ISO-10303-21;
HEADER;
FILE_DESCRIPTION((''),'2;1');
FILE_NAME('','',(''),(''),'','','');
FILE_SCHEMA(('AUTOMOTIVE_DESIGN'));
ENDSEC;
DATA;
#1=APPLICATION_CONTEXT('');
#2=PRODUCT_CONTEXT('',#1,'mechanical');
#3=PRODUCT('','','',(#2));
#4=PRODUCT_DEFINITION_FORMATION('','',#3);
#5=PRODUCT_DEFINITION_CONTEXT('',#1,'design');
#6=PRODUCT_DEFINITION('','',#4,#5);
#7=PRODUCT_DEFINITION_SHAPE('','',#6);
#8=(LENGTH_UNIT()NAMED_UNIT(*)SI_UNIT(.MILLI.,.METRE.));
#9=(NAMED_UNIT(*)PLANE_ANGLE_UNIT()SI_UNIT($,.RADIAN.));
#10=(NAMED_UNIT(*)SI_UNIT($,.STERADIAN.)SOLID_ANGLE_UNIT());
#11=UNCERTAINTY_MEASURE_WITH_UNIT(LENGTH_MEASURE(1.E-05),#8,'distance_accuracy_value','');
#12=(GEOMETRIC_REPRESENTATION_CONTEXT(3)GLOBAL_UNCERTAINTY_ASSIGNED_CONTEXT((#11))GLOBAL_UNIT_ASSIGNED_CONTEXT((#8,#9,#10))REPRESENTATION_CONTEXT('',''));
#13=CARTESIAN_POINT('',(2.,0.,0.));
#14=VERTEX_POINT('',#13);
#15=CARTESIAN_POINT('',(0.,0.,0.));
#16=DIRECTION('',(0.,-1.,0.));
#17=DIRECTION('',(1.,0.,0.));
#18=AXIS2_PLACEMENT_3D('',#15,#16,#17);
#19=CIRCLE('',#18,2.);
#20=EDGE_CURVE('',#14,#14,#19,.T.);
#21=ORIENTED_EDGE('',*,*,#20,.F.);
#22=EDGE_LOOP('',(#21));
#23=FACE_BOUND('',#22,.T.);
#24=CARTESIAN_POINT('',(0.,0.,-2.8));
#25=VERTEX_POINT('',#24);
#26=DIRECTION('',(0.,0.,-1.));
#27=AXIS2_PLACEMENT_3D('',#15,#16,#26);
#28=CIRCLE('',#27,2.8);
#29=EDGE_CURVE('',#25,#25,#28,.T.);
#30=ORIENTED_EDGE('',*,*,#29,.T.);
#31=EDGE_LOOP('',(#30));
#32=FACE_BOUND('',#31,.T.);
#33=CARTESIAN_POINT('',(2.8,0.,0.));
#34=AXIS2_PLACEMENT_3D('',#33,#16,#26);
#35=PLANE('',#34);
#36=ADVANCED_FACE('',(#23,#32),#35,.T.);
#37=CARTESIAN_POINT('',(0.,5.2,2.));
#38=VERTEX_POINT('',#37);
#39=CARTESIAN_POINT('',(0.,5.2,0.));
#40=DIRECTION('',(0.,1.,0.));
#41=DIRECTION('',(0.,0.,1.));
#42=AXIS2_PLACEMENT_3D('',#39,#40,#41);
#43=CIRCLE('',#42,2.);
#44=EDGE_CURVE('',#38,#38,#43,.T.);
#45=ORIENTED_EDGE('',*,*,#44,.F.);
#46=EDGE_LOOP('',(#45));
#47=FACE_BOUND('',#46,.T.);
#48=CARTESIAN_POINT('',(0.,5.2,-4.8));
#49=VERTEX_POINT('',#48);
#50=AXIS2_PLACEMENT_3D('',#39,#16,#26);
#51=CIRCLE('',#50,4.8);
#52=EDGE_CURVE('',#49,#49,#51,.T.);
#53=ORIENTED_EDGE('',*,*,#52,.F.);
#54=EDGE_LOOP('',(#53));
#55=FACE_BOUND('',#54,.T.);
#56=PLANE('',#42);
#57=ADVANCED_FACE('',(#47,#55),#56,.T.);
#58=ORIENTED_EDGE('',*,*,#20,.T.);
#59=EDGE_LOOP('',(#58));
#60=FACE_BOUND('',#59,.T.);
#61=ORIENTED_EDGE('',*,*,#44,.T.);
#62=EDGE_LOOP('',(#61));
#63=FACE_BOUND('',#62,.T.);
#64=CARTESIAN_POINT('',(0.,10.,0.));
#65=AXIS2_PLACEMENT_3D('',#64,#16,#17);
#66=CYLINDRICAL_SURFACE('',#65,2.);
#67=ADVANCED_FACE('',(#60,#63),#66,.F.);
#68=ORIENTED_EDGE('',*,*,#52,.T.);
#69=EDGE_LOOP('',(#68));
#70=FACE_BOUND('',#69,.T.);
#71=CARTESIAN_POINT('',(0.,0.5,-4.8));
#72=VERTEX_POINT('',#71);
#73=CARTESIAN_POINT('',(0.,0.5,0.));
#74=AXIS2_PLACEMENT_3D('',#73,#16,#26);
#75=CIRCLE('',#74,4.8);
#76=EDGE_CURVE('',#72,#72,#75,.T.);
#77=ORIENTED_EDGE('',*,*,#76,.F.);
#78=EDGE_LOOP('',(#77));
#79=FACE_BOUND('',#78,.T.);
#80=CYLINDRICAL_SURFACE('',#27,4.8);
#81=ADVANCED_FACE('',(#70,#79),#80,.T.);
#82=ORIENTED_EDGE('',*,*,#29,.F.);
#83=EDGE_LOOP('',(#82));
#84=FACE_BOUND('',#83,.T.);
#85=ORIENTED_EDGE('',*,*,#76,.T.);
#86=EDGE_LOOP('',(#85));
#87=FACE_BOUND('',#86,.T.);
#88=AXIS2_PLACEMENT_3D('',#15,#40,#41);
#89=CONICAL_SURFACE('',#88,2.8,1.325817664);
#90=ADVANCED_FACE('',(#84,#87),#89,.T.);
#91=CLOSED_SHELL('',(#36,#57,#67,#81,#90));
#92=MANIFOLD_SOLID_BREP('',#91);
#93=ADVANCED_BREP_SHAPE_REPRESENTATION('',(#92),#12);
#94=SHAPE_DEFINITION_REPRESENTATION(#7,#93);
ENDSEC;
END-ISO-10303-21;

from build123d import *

# Parameters (mm, degrees)
SKETCH_2_R          = 2
CUT_EXTRUDE_1_DEPTH = 10


with BuildPart() as part:
    # 草图1 → 旋转1 (revolve)
    with BuildSketch(Plane.XY, mode=Mode.PRIVATE) as revolve_1_sk:
        Polygon((0, 5.2), (4.8, 5.2), (4.8, 0.5), (2.8, 0), (0, 0), align=None)
    revolve(revolve_1_sk.sketch.rotate(Axis((0, 0, 0), (0, 1, 0)), 90), axis=Axis((0, 0, 0), (0, 1, 0)))

    # 草图2 → 切除-拉伸1 (cut)
    with BuildSketch(Plane.XZ):
        Circle(SKETCH_2_R)
    extrude(amount=-CUT_EXTRUDE_1_DEPTH, mode=Mode.SUBTRACT)


solid = part.part
